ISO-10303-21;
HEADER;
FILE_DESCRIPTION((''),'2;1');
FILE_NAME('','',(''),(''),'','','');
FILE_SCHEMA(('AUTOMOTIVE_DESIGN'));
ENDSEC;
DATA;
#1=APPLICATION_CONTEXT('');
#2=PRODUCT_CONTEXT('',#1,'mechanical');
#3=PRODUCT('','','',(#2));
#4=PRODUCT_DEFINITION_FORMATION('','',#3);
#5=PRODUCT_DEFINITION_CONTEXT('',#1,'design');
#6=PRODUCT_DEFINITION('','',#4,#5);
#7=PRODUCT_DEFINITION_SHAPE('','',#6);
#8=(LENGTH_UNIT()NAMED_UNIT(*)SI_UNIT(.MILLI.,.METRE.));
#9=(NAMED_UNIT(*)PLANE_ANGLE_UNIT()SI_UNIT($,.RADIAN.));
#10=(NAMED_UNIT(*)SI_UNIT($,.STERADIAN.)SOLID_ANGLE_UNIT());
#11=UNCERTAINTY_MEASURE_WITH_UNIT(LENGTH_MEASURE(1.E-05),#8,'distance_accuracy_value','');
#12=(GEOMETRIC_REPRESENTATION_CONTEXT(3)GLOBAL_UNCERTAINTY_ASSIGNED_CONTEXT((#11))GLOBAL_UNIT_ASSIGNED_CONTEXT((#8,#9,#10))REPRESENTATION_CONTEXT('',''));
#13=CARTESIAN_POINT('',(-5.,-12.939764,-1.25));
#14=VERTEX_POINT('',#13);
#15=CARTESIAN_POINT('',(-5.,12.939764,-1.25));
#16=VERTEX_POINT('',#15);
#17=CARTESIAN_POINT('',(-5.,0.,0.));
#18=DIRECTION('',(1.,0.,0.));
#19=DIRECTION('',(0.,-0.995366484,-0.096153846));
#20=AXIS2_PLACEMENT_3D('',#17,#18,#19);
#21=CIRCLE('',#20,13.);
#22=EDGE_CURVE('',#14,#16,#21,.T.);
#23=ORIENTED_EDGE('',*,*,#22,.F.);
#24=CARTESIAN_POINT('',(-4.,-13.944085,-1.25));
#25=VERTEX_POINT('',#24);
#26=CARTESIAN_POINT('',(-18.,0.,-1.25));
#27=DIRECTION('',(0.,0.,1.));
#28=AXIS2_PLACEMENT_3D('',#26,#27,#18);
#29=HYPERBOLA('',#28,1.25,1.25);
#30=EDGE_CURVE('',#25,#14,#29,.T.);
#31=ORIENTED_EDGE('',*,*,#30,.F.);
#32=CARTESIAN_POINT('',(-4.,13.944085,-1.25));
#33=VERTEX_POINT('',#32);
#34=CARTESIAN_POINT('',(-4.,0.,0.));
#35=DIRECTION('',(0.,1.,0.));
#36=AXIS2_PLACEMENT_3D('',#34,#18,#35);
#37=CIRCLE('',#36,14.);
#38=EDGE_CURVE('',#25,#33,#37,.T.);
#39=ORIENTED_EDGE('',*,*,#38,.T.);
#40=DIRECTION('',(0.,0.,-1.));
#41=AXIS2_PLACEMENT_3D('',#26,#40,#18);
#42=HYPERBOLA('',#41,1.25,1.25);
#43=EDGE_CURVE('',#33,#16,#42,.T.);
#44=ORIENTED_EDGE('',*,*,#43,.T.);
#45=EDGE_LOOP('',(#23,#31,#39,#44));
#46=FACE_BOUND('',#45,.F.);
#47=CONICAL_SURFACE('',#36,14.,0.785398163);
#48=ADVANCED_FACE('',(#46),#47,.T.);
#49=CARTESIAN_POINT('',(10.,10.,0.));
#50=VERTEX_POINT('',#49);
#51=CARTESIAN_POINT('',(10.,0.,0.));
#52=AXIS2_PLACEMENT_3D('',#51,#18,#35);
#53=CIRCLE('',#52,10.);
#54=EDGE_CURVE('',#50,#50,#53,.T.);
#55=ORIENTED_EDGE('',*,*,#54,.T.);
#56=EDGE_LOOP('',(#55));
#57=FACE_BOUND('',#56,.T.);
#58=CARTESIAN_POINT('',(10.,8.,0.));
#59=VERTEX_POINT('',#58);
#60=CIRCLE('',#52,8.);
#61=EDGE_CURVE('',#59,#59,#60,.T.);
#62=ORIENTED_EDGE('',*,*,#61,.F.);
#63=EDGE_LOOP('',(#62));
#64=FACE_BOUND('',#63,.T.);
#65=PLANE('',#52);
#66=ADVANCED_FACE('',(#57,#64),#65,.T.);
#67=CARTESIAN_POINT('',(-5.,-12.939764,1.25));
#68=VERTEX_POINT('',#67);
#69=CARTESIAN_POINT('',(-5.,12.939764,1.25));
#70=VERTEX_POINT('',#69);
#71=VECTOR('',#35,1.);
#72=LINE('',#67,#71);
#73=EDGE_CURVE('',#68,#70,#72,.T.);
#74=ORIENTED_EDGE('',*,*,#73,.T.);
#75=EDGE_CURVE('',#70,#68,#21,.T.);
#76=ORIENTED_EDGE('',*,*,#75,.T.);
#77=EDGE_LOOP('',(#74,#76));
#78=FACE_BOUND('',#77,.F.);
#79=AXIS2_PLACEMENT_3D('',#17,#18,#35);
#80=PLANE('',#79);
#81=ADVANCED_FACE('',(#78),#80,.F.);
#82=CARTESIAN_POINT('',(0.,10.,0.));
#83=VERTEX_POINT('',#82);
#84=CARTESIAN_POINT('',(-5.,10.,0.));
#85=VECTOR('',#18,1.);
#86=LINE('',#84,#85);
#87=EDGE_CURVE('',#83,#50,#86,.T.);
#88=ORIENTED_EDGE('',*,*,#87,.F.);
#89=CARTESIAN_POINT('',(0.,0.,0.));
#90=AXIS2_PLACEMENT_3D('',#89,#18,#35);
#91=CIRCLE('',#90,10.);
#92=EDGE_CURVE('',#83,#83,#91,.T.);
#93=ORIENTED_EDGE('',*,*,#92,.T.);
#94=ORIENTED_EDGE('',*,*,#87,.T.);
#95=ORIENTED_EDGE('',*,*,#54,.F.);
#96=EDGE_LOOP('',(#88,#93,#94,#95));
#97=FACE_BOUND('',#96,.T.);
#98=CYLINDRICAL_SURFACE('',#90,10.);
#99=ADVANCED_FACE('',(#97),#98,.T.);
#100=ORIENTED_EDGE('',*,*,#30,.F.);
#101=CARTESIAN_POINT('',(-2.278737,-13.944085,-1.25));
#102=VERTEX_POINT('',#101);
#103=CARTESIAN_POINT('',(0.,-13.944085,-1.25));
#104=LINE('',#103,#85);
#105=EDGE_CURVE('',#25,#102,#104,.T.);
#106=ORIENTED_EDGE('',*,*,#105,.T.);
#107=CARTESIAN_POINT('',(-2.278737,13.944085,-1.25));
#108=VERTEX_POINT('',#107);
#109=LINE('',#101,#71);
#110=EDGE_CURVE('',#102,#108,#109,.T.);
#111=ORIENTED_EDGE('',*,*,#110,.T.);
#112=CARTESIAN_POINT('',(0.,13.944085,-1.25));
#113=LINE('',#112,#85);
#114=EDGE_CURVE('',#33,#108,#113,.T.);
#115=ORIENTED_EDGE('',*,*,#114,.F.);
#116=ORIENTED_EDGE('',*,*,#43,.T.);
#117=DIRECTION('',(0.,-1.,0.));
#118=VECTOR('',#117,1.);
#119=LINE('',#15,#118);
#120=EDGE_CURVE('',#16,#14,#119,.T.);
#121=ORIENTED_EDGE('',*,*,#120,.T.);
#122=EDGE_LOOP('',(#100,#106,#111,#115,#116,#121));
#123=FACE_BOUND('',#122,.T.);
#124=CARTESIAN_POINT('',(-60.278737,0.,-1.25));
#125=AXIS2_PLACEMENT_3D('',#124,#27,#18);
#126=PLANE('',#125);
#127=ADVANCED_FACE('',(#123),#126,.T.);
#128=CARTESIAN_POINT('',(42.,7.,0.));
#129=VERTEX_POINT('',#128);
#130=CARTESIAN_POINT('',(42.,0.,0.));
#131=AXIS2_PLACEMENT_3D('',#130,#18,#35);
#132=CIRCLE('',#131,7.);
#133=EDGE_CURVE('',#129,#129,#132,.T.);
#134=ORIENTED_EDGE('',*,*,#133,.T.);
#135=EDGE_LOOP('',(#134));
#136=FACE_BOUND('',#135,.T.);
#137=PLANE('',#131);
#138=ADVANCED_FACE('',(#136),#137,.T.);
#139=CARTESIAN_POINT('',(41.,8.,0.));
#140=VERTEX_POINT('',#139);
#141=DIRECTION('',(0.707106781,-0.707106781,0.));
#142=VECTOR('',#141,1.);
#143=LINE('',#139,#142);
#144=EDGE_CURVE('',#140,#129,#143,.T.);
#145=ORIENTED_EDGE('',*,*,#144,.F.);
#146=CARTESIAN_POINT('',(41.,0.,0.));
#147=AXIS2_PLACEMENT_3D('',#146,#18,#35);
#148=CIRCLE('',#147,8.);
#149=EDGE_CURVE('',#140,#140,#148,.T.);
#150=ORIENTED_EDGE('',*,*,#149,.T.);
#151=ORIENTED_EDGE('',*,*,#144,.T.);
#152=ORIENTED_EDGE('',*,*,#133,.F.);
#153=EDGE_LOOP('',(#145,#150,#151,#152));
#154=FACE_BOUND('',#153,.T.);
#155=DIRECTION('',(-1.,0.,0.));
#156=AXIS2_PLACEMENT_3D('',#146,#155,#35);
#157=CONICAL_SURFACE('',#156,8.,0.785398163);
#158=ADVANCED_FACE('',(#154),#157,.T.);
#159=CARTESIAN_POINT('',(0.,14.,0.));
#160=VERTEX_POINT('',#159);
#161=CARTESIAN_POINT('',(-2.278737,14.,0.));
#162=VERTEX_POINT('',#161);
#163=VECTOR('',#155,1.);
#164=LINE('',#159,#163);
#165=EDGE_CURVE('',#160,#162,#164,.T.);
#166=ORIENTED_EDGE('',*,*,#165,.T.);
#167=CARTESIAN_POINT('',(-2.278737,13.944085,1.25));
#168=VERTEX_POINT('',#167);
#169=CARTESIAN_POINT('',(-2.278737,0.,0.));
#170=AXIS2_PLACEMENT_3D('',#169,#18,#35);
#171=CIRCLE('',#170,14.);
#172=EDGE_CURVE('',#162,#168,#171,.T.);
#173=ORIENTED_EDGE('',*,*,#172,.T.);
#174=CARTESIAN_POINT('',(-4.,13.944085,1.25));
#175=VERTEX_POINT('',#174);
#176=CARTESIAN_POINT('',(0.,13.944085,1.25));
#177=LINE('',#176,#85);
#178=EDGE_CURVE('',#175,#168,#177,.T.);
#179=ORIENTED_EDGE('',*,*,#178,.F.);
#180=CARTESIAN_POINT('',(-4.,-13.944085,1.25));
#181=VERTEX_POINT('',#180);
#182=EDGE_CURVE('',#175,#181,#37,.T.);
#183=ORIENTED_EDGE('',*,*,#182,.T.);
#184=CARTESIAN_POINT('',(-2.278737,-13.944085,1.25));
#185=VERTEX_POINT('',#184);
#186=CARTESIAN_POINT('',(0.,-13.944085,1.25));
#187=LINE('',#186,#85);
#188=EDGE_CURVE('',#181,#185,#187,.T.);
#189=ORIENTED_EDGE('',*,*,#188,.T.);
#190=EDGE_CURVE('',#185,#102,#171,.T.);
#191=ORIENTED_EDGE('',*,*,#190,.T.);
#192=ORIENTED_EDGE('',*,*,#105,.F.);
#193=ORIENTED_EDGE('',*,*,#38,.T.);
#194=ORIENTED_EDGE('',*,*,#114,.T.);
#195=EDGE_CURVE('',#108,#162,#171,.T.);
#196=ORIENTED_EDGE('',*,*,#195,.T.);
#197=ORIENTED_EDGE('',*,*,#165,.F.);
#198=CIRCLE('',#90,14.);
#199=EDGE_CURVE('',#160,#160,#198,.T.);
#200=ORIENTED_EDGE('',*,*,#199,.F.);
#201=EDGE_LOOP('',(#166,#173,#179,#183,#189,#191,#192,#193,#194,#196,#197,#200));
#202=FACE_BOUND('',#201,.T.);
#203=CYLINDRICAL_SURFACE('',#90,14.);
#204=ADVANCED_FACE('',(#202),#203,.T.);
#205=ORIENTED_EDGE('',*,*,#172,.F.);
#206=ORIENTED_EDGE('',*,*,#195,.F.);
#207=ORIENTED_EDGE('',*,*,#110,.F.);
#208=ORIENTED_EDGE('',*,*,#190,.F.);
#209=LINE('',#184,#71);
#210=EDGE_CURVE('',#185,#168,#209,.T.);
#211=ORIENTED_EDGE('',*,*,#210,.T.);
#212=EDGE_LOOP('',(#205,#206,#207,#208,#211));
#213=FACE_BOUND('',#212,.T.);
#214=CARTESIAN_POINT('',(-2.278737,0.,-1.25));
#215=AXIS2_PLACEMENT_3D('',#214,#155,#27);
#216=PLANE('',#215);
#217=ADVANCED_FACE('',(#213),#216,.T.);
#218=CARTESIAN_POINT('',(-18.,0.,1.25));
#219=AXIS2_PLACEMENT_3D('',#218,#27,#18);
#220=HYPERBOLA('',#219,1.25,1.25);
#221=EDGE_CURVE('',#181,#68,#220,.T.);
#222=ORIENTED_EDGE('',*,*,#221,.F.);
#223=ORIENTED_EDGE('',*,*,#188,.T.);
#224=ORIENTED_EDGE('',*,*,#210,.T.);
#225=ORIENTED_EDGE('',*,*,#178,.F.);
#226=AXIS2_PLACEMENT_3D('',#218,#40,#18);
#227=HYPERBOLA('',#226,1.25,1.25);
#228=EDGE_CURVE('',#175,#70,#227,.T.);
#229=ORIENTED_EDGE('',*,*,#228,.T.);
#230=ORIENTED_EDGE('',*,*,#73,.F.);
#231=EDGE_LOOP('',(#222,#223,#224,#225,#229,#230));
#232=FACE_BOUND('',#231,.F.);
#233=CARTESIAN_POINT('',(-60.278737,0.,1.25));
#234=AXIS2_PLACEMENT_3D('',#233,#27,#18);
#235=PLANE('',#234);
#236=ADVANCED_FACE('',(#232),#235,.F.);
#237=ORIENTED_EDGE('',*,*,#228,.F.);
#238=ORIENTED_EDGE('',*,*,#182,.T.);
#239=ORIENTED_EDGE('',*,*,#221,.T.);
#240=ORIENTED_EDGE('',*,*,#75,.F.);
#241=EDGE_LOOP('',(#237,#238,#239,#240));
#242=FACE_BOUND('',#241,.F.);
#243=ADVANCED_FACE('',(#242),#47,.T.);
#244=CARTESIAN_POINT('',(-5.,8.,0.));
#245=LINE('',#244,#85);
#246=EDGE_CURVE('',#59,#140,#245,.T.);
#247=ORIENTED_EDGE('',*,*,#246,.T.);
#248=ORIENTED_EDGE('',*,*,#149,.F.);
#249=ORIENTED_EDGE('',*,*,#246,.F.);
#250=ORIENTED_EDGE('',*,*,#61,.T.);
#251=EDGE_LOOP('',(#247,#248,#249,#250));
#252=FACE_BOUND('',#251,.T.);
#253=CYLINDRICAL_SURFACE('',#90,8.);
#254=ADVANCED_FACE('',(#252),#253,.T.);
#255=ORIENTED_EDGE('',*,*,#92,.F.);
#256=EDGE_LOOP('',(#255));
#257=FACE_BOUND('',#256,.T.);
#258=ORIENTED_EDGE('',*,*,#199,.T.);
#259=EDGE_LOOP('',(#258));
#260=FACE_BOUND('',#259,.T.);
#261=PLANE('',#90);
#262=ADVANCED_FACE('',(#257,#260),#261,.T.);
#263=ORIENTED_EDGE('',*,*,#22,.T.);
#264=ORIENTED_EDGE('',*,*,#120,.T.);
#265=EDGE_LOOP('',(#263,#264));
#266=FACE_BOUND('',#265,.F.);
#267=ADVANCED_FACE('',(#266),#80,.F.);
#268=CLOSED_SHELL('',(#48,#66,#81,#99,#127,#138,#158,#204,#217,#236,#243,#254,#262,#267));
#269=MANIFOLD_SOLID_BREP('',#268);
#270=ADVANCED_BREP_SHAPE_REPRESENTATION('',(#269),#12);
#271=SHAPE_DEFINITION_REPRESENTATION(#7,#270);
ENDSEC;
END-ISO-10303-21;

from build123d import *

# Parameters (mm, degrees)
F0_R          = 8
F1_DEPTH      = 42
F1_DEPTH_BACK = 5
F0_R_2        = 10
F2_DEPTH      = 10
F2_DEPTH_BACK = 5
F0_R_3        = 14
F3_DEPTH      = 5
F4_SIZE       = 1
F5_W          = 58
F5_H          = 2.5
F6_DEPTH      = 25
F6_DEPTH_BACK = 25


with BuildPart() as f1:
    # F0 (on Right) → F1 (new body, two sides)
    with BuildSketch(Plane.YZ) as f1_sk:
        Circle(F0_R)
    extrude(amount=F1_DEPTH)
    extrude(f1_sk.sketch, amount=-F1_DEPTH_BACK)

    # F0 (on Right) → F2 (join, two sides)
    with BuildSketch(Plane.YZ) as f2_sk:
        Circle(F0_R_2)
        Circle(F0_R, mode=Mode.SUBTRACT)
    extrude(amount=F2_DEPTH)
    extrude(f2_sk.sketch, amount=-F2_DEPTH_BACK)

    # F0 (on Right) → F3 (join)
    with BuildSketch(Plane.YZ):
        Circle(F0_R_3)
        Circle(F0_R_2, mode=Mode.SUBTRACT)
    extrude(amount=-F3_DEPTH)

    # F4
    f4_edges = [f1.edges().sort_by_distance(p)[0] for p in [
        (-5, -14, 0),
        (42, -8, 0),
    ]]
    chamfer(f4_edges, length=F4_SIZE)

    # F5 (on Front) → F6 (cut, two sides)
    with BuildSketch(Plane.XZ) as f6_sk:
        with Locations((-31.278737, 0)):
            Rectangle(F5_W, F5_H)
    extrude(amount=F6_DEPTH, mode=Mode.SUBTRACT)
    extrude(f6_sk.sketch, amount=-F6_DEPTH_BACK, mode=Mode.SUBTRACT)


solid = f1.part
